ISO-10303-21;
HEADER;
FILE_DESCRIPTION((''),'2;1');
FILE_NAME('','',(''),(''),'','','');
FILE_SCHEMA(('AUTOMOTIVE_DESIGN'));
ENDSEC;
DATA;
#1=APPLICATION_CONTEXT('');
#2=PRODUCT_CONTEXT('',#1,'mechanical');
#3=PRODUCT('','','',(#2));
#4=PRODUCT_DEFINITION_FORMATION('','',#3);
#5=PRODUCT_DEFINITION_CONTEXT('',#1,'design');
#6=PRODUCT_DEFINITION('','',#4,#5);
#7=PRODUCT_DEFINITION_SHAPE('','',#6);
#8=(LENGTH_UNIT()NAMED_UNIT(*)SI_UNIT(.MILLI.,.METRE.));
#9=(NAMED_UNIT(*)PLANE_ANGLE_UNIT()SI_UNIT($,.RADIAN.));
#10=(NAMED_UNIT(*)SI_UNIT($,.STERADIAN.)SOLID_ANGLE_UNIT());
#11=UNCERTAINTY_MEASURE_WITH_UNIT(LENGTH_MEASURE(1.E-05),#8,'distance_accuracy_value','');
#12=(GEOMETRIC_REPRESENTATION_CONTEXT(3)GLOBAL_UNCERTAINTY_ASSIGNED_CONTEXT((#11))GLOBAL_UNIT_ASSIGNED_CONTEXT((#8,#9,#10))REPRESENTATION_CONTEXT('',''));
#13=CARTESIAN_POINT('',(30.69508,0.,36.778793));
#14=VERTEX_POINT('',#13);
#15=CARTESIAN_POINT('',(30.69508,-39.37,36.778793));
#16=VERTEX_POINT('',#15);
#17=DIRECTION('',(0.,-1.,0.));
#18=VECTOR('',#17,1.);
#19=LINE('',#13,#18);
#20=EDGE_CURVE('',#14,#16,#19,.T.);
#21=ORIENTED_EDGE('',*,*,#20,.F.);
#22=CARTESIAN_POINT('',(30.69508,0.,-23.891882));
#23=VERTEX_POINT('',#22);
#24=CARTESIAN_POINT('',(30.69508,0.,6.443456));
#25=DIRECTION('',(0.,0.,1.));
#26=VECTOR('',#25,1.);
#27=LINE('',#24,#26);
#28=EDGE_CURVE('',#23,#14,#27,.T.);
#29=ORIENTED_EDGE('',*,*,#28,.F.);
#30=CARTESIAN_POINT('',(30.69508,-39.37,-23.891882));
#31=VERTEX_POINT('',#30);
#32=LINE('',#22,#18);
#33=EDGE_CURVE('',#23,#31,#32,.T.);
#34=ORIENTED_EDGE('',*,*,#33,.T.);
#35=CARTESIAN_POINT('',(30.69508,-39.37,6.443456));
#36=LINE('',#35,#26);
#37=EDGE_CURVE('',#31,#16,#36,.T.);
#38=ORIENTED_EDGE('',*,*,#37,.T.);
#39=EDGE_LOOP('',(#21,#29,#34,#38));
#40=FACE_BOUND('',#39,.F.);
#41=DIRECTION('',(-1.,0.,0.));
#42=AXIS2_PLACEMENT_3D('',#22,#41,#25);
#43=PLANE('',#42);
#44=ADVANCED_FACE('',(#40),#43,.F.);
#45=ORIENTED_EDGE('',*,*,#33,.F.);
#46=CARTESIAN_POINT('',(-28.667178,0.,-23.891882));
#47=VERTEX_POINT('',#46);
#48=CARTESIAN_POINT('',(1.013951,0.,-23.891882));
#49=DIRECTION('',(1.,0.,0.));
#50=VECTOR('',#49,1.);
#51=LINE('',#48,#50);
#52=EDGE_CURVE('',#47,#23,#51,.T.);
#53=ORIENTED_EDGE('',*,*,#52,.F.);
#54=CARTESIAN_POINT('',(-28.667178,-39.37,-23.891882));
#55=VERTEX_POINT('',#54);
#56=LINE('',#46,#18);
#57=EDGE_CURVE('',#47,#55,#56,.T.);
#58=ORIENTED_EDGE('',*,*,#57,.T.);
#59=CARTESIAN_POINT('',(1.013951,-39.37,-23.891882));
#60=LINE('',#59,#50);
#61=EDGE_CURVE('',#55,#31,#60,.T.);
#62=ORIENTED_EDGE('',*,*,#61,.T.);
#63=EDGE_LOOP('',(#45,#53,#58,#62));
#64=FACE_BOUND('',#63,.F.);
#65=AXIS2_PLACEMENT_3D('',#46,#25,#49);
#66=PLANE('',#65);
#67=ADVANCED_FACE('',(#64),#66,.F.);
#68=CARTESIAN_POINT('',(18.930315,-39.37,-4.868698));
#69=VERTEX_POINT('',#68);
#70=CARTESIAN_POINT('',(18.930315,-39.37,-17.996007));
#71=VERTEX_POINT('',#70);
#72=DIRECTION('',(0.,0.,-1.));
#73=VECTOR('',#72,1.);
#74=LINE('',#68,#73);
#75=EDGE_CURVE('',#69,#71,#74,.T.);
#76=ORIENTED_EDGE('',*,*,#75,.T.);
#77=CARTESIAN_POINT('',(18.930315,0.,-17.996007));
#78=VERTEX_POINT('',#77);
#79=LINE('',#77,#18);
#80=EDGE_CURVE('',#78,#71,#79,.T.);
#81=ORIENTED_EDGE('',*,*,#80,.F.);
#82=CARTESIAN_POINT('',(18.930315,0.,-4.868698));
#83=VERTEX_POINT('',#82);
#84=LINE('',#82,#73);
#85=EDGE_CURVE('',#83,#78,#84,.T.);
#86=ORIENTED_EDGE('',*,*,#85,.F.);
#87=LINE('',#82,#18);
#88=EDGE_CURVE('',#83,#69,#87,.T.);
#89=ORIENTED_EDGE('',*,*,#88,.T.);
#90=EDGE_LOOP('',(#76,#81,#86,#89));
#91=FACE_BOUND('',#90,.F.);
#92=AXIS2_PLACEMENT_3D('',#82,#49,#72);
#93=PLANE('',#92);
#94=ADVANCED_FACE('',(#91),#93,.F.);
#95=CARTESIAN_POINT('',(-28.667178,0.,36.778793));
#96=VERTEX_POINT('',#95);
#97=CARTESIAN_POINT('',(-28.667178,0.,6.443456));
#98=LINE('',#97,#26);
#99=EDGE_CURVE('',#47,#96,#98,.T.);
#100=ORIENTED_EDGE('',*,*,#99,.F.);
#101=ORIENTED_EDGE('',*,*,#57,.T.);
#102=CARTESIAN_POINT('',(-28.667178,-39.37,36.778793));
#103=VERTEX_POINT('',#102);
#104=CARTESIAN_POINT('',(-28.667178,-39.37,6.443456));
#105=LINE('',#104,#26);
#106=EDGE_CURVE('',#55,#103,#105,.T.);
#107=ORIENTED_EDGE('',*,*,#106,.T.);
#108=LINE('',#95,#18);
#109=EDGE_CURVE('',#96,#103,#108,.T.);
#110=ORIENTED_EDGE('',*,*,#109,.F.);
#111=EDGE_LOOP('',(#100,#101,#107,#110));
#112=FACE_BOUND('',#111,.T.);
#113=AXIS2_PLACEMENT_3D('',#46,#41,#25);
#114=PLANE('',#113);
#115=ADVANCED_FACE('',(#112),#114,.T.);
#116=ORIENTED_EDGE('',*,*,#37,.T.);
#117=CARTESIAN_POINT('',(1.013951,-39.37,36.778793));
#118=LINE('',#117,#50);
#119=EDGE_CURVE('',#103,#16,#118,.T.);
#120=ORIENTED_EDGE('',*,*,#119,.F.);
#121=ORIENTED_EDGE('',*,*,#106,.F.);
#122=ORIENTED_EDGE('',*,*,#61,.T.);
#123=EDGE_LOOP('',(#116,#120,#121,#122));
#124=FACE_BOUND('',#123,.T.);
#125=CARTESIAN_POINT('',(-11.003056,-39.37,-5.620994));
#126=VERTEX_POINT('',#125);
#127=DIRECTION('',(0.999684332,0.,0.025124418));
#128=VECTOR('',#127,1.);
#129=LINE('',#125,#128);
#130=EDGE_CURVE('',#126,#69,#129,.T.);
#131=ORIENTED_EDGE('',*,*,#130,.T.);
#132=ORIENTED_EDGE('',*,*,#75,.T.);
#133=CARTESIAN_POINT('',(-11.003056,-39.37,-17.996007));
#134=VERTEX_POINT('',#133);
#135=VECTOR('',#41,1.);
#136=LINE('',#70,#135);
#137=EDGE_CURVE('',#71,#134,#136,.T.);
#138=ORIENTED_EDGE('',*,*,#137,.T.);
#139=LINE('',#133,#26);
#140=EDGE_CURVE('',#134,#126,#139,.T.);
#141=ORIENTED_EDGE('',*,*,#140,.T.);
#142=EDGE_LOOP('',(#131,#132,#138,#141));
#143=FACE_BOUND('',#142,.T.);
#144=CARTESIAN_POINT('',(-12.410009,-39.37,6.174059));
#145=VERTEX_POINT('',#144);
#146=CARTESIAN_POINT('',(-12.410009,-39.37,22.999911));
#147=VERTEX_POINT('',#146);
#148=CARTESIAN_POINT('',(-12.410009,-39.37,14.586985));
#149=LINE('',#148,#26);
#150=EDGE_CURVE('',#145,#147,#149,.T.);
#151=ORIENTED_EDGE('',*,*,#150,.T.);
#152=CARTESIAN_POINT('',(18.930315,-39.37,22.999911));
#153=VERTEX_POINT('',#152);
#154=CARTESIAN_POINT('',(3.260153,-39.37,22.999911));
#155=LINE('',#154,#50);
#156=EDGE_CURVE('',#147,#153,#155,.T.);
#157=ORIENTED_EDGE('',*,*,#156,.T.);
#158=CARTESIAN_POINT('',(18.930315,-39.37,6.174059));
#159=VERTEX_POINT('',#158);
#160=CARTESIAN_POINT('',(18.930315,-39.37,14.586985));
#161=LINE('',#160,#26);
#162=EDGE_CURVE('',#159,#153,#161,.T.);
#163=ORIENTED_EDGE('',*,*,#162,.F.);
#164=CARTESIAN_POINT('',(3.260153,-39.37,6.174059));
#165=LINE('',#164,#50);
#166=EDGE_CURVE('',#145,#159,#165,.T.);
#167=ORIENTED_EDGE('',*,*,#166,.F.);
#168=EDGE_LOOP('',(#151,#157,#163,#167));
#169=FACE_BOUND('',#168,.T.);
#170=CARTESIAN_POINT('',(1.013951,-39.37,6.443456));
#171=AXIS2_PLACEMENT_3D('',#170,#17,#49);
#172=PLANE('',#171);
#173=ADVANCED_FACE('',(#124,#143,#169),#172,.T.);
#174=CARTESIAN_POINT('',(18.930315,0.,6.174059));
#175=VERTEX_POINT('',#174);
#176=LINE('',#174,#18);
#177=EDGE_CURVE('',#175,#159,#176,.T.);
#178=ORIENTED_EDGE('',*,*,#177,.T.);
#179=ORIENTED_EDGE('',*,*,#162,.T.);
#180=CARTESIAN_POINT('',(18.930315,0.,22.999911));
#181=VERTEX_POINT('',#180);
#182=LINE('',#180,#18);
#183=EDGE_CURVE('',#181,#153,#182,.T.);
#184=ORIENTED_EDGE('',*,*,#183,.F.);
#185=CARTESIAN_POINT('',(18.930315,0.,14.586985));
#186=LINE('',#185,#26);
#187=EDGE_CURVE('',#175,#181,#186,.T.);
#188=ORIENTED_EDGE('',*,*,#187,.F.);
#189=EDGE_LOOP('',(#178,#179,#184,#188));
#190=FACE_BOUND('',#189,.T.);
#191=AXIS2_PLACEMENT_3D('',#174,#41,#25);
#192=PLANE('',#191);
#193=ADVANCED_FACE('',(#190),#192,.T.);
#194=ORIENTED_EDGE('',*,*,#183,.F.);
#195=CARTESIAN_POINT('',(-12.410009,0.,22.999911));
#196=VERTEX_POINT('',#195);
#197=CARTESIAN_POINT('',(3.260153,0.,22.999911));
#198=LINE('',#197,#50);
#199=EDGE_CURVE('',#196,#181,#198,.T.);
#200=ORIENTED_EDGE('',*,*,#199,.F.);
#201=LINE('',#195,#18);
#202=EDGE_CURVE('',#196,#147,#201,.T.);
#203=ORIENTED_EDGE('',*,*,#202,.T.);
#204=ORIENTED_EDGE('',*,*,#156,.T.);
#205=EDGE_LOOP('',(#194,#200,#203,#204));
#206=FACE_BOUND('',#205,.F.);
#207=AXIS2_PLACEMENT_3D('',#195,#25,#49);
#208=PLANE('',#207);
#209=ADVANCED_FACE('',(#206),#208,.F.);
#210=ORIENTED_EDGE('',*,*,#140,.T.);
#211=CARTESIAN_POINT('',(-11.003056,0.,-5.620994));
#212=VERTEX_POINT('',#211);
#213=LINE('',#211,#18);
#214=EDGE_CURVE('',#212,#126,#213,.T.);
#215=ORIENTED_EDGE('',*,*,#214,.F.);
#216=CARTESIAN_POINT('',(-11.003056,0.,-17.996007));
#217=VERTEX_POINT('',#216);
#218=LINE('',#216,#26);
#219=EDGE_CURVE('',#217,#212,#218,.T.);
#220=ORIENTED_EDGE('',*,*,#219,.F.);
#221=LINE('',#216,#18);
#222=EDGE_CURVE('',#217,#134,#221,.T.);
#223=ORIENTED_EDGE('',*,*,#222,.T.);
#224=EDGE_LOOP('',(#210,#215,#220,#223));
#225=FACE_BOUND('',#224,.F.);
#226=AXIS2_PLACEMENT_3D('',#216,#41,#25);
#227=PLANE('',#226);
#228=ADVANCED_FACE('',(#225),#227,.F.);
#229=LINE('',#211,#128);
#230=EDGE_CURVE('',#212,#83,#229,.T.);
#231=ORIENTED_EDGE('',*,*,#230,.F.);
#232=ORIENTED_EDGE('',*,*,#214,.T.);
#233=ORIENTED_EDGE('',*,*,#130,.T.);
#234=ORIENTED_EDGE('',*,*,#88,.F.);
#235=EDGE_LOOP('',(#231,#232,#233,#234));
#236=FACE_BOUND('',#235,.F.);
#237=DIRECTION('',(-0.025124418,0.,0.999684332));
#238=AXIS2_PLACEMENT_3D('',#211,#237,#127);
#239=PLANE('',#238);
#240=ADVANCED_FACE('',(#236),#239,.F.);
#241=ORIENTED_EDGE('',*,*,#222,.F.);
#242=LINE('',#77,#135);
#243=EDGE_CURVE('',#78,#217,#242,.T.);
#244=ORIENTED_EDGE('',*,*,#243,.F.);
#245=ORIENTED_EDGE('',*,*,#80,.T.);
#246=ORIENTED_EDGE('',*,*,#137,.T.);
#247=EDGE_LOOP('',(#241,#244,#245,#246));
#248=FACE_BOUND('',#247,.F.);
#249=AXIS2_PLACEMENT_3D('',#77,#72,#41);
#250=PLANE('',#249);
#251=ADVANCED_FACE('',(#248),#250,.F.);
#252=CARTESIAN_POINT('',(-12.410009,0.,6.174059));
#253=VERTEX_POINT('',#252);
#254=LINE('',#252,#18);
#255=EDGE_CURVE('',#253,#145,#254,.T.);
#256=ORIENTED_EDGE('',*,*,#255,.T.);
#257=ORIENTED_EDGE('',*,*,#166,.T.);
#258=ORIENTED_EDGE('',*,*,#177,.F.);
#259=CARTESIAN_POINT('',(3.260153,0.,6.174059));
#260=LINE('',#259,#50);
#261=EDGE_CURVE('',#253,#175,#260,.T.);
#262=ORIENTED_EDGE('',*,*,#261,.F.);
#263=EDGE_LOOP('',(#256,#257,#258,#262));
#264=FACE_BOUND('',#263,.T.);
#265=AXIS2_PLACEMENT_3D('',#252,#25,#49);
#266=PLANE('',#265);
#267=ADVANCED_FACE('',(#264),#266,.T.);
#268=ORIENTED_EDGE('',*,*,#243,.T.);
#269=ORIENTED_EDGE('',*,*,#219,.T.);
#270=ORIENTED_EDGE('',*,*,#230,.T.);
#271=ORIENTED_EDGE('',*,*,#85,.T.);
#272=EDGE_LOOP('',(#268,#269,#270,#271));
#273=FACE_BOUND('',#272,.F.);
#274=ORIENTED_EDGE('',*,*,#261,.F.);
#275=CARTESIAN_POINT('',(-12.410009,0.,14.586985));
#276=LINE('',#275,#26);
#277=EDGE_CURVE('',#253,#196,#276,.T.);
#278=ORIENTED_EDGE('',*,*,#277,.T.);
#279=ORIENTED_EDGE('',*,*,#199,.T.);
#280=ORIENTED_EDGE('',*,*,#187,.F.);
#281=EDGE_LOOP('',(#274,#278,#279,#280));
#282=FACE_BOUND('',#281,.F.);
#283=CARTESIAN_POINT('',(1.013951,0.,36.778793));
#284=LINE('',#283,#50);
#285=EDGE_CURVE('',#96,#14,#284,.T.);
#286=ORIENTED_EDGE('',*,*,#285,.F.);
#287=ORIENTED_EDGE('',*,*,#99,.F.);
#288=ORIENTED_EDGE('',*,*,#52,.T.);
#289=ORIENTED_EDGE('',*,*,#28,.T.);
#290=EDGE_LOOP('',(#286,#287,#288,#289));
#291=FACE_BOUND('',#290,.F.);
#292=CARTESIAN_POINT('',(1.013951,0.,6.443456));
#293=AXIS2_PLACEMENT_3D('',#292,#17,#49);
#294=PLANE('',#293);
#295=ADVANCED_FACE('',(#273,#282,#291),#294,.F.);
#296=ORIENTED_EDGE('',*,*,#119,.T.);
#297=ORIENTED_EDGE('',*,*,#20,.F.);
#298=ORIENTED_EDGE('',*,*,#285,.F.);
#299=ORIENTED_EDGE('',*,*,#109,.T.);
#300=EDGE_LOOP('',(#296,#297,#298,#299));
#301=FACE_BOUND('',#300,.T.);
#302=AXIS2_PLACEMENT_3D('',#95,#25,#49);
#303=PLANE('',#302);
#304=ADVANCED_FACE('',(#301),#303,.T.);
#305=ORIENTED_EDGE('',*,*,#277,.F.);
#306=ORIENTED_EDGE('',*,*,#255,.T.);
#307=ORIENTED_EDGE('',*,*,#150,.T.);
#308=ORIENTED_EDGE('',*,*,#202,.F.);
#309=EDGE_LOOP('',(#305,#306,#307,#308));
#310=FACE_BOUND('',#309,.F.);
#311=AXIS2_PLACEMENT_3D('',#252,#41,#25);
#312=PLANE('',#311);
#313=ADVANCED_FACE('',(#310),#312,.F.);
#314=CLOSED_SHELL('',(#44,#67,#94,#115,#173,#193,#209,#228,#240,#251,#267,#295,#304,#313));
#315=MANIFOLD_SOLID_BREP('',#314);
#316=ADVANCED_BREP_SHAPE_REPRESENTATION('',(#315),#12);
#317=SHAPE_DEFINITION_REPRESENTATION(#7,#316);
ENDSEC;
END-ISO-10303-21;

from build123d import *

# Parameters (mm, degrees)
F0_W     = 59.362259
F0_H     = 60.670675
F0_W_2   = 31.340324
F0_H_2   = 16.825852
F1_DEPTH = 39.37


with BuildPart() as f1:
    # F0 (on Front) → F1 (new body)
    with BuildSketch(Plane.XZ):
        with Locations((1.013951, 6.443456)):
            Rectangle(F0_W, F0_H)
        Polygon((-11.003056, -17.996007), (-11.003056, -5.620994), (18.930315, -4.868698), (18.930315, -17.996007), align=None, mode=Mode.SUBTRACT)
        with Locations((3.260153, 14.586985)):
            Rectangle(F0_W_2, F0_H_2, mode=Mode.SUBTRACT)
    extrude(amount=F1_DEPTH)


solid = f1.part
